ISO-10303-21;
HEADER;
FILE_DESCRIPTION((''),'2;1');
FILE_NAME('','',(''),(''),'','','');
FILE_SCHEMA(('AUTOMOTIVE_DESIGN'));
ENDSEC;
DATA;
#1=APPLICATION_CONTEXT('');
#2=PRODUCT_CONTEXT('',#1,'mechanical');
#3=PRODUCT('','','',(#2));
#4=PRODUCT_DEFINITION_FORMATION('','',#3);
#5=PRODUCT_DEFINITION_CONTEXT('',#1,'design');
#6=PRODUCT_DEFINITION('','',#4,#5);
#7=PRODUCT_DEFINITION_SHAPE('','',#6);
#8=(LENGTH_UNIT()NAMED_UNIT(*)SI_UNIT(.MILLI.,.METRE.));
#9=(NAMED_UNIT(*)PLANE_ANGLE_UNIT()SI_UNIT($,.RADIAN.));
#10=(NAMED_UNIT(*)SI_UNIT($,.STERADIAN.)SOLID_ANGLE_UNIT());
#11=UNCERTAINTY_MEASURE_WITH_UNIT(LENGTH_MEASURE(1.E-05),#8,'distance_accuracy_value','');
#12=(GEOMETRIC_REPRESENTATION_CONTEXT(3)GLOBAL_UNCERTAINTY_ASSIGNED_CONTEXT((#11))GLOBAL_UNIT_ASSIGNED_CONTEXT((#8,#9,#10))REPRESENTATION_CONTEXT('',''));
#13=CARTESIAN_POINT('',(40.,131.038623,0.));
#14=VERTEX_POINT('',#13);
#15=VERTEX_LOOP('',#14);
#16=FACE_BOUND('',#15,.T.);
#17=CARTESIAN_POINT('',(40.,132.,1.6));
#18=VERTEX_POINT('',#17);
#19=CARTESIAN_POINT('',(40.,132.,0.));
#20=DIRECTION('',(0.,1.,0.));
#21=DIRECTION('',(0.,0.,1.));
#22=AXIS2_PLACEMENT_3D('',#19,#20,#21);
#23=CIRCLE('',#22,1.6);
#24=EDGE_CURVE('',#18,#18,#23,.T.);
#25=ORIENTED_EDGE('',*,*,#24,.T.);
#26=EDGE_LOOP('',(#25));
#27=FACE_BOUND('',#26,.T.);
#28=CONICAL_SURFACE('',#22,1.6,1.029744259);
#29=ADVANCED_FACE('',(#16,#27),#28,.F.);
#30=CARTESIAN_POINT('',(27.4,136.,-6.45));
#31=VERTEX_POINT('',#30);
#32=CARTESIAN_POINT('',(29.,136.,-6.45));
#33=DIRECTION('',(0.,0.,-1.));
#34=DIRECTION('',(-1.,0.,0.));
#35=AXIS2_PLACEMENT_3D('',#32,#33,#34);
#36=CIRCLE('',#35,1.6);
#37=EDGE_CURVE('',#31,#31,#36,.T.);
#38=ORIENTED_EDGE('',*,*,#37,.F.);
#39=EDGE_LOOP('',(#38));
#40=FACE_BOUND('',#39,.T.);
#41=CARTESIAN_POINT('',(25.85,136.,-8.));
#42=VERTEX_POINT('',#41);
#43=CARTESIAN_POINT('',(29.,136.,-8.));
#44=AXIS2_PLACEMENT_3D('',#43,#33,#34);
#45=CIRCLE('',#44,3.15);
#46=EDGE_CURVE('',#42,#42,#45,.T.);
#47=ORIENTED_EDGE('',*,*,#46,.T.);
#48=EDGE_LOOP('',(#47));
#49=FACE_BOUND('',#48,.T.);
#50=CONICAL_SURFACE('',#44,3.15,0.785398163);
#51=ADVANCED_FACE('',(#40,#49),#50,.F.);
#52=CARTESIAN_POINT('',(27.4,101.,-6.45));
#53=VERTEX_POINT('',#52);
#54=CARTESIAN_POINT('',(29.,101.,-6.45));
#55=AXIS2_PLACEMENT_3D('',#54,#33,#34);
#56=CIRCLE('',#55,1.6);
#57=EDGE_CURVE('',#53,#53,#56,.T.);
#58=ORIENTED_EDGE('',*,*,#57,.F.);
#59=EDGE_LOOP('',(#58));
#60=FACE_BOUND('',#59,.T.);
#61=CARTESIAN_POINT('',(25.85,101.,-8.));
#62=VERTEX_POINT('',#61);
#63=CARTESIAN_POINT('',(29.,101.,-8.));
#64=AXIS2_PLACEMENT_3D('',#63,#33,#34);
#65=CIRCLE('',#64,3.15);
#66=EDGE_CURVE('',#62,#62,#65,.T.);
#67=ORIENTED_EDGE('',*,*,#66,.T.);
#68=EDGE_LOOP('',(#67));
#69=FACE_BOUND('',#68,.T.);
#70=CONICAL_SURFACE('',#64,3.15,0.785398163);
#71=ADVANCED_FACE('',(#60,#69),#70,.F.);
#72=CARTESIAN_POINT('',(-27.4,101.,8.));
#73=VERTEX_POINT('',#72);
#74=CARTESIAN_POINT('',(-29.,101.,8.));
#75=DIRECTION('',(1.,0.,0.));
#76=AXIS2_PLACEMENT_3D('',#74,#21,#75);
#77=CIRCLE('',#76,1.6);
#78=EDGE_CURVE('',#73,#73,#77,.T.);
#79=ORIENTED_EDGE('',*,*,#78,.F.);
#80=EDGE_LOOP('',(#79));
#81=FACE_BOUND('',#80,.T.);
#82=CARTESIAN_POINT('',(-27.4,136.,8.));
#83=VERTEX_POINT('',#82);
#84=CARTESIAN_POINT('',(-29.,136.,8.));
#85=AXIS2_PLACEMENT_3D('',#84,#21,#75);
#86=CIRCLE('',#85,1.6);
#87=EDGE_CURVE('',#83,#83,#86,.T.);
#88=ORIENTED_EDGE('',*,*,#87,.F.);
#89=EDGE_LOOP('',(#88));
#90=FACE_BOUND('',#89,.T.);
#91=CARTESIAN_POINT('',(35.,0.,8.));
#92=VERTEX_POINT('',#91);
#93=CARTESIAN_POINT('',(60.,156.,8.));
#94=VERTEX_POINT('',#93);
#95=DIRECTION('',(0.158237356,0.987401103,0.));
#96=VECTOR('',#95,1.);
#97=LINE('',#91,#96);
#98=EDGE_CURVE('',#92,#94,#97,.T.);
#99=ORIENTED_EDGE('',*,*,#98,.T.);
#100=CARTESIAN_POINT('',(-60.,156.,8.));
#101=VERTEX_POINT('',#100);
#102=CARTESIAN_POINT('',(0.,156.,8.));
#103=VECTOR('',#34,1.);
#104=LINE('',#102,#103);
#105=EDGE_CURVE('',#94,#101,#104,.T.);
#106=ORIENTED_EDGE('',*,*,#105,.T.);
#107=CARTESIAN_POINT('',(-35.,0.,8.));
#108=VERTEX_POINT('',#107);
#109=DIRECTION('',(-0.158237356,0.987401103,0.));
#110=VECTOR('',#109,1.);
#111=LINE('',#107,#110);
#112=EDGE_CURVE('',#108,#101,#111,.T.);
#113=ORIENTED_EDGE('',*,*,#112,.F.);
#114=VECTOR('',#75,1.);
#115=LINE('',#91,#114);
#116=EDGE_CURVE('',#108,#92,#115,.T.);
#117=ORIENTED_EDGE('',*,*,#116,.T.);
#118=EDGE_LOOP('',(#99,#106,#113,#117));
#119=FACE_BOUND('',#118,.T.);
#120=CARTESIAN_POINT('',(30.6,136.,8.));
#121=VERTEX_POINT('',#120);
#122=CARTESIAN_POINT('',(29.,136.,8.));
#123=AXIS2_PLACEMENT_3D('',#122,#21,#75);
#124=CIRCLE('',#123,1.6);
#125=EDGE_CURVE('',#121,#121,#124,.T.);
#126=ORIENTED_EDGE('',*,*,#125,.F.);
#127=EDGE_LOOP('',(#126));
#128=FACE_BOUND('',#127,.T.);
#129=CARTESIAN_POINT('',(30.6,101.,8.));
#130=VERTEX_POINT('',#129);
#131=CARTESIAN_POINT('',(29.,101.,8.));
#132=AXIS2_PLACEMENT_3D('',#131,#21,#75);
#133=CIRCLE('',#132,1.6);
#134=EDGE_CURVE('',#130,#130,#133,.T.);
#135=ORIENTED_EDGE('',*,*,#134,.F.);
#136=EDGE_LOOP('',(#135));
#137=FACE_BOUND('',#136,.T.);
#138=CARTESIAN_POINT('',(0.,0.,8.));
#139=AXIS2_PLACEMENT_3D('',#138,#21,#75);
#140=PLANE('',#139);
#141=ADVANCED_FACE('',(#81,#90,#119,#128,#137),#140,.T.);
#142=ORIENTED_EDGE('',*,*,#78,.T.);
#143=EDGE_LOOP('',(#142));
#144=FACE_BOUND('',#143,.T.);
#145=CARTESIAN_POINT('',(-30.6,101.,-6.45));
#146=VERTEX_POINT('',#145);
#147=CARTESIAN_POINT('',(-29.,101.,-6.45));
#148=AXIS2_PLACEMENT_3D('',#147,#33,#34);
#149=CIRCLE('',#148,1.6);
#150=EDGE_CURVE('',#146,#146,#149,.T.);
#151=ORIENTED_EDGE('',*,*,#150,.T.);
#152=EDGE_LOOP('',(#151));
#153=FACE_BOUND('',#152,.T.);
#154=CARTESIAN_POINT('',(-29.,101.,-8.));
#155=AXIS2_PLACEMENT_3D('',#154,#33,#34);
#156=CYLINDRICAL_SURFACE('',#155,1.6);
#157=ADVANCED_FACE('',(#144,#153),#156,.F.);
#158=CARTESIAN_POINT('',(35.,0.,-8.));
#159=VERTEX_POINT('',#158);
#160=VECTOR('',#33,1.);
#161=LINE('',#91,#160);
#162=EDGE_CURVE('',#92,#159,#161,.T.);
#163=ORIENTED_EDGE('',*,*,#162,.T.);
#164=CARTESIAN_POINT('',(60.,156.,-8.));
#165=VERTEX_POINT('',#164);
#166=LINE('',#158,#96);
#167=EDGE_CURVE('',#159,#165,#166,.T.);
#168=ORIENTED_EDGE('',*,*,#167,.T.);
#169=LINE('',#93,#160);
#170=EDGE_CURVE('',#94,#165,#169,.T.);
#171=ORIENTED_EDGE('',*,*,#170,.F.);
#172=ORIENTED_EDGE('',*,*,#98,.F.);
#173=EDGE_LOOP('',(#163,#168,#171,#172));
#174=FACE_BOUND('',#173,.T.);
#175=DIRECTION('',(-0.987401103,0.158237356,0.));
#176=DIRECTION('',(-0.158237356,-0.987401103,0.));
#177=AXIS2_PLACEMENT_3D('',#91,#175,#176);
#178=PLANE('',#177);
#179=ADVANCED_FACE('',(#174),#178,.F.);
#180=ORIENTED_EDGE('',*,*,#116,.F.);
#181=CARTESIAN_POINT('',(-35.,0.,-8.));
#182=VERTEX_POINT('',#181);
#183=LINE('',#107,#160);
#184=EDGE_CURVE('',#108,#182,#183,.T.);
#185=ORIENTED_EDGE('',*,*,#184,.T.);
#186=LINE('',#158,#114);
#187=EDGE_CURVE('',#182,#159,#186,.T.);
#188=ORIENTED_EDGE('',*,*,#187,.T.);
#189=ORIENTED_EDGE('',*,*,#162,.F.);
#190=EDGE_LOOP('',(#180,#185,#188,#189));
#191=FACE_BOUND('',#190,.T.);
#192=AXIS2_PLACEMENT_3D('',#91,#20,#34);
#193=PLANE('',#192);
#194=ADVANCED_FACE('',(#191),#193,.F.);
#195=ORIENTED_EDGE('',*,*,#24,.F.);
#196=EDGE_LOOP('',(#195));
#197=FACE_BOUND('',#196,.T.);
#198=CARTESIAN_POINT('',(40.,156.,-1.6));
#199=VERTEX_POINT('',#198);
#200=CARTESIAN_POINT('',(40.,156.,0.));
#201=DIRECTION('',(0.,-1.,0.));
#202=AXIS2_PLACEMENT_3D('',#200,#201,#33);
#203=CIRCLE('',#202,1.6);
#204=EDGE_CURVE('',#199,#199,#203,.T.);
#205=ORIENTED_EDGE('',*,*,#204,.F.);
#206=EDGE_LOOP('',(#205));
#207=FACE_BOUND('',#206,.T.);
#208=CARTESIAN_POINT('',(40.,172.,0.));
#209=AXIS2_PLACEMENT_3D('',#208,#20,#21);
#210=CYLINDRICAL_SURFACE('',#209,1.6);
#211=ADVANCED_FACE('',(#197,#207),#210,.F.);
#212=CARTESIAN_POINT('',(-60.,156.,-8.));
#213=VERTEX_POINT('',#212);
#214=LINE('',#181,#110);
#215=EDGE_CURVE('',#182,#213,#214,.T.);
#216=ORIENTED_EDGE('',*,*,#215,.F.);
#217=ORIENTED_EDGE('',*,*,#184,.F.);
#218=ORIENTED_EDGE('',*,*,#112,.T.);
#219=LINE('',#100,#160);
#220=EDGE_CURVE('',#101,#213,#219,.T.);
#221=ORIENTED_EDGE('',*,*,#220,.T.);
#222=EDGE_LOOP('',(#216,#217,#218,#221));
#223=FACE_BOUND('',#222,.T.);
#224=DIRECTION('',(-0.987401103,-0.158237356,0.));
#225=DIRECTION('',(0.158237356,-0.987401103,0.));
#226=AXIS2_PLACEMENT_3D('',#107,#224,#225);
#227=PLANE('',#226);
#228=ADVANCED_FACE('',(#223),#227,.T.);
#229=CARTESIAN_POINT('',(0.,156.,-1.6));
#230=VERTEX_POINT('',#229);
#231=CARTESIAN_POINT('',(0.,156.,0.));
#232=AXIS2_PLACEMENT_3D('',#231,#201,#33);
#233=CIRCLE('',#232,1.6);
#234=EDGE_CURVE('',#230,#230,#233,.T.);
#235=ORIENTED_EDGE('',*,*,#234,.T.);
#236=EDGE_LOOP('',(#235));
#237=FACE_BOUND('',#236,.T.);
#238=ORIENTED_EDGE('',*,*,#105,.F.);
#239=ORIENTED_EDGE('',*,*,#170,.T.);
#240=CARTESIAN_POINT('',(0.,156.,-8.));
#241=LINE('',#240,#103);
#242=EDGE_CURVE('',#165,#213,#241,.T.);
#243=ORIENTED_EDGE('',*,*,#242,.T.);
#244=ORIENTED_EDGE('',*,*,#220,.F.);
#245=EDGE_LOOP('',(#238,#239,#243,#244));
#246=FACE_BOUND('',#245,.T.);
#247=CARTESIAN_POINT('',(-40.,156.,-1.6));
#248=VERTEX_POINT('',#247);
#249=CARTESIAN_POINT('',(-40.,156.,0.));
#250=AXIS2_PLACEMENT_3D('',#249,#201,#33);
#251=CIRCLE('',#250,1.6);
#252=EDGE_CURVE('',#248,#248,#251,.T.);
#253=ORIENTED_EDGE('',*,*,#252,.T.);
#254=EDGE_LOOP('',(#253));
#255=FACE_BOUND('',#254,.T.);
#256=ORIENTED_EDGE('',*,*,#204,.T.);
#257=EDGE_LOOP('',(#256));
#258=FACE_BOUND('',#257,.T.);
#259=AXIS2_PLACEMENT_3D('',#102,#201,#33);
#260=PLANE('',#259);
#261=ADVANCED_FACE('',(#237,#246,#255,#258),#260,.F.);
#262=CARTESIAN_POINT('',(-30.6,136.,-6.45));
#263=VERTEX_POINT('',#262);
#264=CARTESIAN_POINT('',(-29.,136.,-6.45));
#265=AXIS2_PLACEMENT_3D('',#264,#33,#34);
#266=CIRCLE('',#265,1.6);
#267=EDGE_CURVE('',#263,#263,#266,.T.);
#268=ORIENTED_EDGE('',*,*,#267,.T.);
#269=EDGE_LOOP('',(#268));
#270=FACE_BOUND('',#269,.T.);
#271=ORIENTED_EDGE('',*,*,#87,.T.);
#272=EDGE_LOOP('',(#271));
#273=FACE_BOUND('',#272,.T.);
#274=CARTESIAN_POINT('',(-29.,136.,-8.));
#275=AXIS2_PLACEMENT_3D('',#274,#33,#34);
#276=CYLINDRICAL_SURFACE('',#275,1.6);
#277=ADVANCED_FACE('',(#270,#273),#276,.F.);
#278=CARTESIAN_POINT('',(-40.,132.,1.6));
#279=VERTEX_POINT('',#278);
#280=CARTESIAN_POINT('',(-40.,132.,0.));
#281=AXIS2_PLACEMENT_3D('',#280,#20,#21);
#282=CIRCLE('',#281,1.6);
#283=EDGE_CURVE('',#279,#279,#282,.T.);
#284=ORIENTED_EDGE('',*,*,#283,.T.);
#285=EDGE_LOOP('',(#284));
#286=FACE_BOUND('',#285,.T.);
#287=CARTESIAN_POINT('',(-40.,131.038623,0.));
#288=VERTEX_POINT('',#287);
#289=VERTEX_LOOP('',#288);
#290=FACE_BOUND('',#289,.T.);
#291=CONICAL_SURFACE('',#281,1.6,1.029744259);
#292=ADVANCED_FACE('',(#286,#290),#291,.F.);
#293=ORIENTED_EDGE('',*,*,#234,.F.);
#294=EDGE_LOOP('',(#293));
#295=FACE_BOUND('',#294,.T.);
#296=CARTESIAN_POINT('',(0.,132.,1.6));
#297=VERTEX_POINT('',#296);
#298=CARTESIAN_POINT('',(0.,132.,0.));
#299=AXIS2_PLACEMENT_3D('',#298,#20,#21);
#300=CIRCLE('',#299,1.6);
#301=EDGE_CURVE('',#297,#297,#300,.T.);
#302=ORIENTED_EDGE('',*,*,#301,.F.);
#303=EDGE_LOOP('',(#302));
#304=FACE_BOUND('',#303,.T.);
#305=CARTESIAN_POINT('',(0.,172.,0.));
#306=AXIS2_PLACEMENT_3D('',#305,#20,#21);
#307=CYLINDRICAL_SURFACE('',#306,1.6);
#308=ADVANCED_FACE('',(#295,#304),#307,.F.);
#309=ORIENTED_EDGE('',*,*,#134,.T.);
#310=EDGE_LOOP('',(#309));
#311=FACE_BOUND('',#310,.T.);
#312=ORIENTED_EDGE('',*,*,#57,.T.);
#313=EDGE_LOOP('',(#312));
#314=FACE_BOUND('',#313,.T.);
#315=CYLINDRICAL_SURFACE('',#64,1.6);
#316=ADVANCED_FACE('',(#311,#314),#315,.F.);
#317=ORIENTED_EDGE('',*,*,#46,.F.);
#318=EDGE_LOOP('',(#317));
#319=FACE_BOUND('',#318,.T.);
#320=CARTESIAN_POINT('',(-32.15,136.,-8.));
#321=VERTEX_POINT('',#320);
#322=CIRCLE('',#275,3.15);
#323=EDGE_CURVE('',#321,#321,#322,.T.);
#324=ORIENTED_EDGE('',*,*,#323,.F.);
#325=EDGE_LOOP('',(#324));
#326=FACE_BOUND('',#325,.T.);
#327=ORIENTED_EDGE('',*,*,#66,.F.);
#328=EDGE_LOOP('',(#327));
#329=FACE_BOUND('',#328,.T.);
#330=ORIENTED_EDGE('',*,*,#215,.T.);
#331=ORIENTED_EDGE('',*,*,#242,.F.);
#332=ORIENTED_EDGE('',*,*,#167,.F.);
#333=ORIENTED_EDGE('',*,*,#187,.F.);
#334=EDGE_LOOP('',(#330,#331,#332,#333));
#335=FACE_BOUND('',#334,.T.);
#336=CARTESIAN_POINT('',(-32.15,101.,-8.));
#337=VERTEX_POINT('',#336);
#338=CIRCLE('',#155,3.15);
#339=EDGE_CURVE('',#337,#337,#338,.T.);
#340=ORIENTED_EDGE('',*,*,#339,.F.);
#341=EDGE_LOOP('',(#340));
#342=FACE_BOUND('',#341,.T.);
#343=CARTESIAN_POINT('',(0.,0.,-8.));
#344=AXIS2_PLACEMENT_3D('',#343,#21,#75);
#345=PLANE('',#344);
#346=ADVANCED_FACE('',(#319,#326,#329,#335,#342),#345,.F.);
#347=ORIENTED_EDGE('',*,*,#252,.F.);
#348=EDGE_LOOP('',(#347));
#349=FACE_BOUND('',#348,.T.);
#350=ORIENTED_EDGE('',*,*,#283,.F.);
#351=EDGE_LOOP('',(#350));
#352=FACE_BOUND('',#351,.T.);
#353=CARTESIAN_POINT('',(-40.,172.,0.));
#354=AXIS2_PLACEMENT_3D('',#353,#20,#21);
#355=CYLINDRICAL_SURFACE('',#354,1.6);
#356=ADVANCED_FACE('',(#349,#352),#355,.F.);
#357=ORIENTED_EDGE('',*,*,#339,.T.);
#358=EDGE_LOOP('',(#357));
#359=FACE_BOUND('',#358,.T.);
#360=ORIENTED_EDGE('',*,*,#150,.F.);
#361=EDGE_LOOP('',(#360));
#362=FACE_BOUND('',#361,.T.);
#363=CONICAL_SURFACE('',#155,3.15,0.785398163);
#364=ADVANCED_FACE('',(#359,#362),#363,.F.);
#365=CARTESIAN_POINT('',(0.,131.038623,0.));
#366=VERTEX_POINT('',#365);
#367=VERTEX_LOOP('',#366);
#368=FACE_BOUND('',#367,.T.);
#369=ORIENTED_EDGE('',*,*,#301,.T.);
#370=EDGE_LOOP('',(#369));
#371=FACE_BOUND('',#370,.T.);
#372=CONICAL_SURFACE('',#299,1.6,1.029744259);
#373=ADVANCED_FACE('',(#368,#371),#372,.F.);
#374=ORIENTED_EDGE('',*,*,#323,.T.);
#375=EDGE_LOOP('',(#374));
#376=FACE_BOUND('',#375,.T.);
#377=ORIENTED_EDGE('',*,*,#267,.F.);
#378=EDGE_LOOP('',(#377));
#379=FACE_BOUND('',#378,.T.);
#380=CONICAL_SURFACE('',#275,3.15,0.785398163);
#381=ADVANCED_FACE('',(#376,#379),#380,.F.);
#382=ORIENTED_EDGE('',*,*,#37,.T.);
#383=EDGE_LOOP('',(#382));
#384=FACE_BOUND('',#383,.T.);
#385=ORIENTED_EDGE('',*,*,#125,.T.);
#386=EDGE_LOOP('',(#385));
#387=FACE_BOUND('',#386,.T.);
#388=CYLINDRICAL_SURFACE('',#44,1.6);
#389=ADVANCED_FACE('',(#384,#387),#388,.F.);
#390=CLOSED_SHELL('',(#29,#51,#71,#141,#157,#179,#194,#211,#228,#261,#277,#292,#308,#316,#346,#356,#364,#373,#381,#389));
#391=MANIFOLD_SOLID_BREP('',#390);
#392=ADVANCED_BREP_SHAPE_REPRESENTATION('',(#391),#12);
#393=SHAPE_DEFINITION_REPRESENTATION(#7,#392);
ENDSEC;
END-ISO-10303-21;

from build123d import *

# Parameters (mm, degrees)
DODANIE_WYCI_GNI_CIE1_DEPTH                       = 8
POG_BIENIE_STO_KOWE_POD_M3_WKR_T_DO_2_COUNT       = 2
POG_BIENIE_STO_KOWE_POD_M3_WKR_T_DO_2_PITCH       = 35
SZYK_LINIOWY2_COUNT                               = 2
SZYK_LINIOWY2_PITCH                               = 58
POG_BIENIE_STO_KOWE_POD_M3_WKR_T_DO_3_D           = 3.2
POG_BIENIE_STO_KOWE_POD_M3_WKR_T_DO_3_DEPTH       = 40
POG_BIENIE_STO_KOWE_POD_M3_WKR_T_DO_3_CSINK_D     = 6.3
POG_BIENIE_STO_KOWE_POD_M3_WKR_T_DO_3_CSINK_ANGLE = 90
POG_BIENIE_STO_KOWE_POD_M3_WKR_T_DO_3_TIP         = 0.96137699


with BuildPart() as part:
    # Szkic1 → Dodanie-wyciągnięcie1 (new, symmetric)
    with BuildSketch(Plane.XY):
        Polygon((35, 0), (0, 0), (0, 156), (60, 156), align=None)
    dodanie_wyci_gni_cie1 = extrude(amount=DODANIE_WYCI_GNI_CIE1_DEPTH, both=True)

    # Lustro1: Dodanie-wyciągnięcie1 across plane
    add(dodanie_wyci_gni_cie1.mirror(Plane(origin=(0, 0, 8), x_dir=(0, 0, 1), z_dir=(1, 0, 0))))

    # Szkic5 → Pog_bienie sto_kowe pod M3 wkr_t do cz_c (revolve, cut)
    with BuildSketch(Plane(origin=(29, 101, -8), x_dir=(0, 1, 0), z_dir=(1, 0, 0))):
        Polygon((0, 0), (0, 40.96137699), (1.6, 40), (1.6, 1.55), (3.15, 0), align=None)
    pog_bienie_sto_kowe_pod_m3_wkr_t_do_cz_c = revolve(axis=Axis((29, 101, -14.35), (0, 0, 1)), mode=Mode.SUBTRACT)

    # Pog_bienie sto_kowe pod M3 wkr_t do  2: Pog_bienie sto_kowe pod M3 wkr_t do cz_c ×2
    with Locations(*[(0, i * POG_BIENIE_STO_KOWE_POD_M3_WKR_T_DO_2_PITCH, 0) for i in range(1, POG_BIENIE_STO_KOWE_POD_M3_WKR_T_DO_2_COUNT)]):
        add(pog_bienie_sto_kowe_pod_m3_wkr_t_do_cz_c, mode=Mode.SUBTRACT)

    # Szyk liniowy2: Pog_bienie sto_kowe pod M3 wkr_t do cz_c ×2
    with Locations(*[(-i * SZYK_LINIOWY2_PITCH, 0, 0) for i in range(1, SZYK_LINIOWY2_COUNT)]):
        add(pog_bienie_sto_kowe_pod_m3_wkr_t_do_cz_c, mode=Mode.SUBTRACT)

    # Szyk liniowy2 copy 1 sketch → Szyk liniowy2 copy 1 (revolve, cut)
    with BuildSketch(Plane(origin=(-29, 136, -8), x_dir=(0, 1, 0), z_dir=(1, 0, 0))):
        Polygon((0, 0), (0, 40.96137699), (1.6, 40), (1.6, 1.55), (3.15, 0), align=None)
    revolve(axis=Axis((-29, 136, -14.35), (0, 0, 1)), mode=Mode.SUBTRACT)

    # Pog_bienie sto_kowe pod M3 wkr_t do  3
    with Locations(Plane(origin=(-255, 172, 61), x_dir=(1, 0, 0), z_dir=(0, 1, 0))):
        with Locations((295, 61), (284, 28), (226, 28), (226, 48), (255, 61), (215, 61), (284, 48)):
            CounterSinkHole(POG_BIENIE_STO_KOWE_POD_M3_WKR_T_DO_3_D / 2, POG_BIENIE_STO_KOWE_POD_M3_WKR_T_DO_3_CSINK_D / 2, depth=POG_BIENIE_STO_KOWE_POD_M3_WKR_T_DO_3_DEPTH, counter_sink_angle=POG_BIENIE_STO_KOWE_POD_M3_WKR_T_DO_3_CSINK_ANGLE)
            with Locations((0, 0, -(POG_BIENIE_STO_KOWE_POD_M3_WKR_T_DO_3_DEPTH + POG_BIENIE_STO_KOWE_POD_M3_WKR_T_DO_3_TIP / 2))):  # 118° drill point
                Cone(0, POG_BIENIE_STO_KOWE_POD_M3_WKR_T_DO_3_D / 2, POG_BIENIE_STO_KOWE_POD_M3_WKR_T_DO_3_TIP, mode=Mode.SUBTRACT)


solid = part.part
